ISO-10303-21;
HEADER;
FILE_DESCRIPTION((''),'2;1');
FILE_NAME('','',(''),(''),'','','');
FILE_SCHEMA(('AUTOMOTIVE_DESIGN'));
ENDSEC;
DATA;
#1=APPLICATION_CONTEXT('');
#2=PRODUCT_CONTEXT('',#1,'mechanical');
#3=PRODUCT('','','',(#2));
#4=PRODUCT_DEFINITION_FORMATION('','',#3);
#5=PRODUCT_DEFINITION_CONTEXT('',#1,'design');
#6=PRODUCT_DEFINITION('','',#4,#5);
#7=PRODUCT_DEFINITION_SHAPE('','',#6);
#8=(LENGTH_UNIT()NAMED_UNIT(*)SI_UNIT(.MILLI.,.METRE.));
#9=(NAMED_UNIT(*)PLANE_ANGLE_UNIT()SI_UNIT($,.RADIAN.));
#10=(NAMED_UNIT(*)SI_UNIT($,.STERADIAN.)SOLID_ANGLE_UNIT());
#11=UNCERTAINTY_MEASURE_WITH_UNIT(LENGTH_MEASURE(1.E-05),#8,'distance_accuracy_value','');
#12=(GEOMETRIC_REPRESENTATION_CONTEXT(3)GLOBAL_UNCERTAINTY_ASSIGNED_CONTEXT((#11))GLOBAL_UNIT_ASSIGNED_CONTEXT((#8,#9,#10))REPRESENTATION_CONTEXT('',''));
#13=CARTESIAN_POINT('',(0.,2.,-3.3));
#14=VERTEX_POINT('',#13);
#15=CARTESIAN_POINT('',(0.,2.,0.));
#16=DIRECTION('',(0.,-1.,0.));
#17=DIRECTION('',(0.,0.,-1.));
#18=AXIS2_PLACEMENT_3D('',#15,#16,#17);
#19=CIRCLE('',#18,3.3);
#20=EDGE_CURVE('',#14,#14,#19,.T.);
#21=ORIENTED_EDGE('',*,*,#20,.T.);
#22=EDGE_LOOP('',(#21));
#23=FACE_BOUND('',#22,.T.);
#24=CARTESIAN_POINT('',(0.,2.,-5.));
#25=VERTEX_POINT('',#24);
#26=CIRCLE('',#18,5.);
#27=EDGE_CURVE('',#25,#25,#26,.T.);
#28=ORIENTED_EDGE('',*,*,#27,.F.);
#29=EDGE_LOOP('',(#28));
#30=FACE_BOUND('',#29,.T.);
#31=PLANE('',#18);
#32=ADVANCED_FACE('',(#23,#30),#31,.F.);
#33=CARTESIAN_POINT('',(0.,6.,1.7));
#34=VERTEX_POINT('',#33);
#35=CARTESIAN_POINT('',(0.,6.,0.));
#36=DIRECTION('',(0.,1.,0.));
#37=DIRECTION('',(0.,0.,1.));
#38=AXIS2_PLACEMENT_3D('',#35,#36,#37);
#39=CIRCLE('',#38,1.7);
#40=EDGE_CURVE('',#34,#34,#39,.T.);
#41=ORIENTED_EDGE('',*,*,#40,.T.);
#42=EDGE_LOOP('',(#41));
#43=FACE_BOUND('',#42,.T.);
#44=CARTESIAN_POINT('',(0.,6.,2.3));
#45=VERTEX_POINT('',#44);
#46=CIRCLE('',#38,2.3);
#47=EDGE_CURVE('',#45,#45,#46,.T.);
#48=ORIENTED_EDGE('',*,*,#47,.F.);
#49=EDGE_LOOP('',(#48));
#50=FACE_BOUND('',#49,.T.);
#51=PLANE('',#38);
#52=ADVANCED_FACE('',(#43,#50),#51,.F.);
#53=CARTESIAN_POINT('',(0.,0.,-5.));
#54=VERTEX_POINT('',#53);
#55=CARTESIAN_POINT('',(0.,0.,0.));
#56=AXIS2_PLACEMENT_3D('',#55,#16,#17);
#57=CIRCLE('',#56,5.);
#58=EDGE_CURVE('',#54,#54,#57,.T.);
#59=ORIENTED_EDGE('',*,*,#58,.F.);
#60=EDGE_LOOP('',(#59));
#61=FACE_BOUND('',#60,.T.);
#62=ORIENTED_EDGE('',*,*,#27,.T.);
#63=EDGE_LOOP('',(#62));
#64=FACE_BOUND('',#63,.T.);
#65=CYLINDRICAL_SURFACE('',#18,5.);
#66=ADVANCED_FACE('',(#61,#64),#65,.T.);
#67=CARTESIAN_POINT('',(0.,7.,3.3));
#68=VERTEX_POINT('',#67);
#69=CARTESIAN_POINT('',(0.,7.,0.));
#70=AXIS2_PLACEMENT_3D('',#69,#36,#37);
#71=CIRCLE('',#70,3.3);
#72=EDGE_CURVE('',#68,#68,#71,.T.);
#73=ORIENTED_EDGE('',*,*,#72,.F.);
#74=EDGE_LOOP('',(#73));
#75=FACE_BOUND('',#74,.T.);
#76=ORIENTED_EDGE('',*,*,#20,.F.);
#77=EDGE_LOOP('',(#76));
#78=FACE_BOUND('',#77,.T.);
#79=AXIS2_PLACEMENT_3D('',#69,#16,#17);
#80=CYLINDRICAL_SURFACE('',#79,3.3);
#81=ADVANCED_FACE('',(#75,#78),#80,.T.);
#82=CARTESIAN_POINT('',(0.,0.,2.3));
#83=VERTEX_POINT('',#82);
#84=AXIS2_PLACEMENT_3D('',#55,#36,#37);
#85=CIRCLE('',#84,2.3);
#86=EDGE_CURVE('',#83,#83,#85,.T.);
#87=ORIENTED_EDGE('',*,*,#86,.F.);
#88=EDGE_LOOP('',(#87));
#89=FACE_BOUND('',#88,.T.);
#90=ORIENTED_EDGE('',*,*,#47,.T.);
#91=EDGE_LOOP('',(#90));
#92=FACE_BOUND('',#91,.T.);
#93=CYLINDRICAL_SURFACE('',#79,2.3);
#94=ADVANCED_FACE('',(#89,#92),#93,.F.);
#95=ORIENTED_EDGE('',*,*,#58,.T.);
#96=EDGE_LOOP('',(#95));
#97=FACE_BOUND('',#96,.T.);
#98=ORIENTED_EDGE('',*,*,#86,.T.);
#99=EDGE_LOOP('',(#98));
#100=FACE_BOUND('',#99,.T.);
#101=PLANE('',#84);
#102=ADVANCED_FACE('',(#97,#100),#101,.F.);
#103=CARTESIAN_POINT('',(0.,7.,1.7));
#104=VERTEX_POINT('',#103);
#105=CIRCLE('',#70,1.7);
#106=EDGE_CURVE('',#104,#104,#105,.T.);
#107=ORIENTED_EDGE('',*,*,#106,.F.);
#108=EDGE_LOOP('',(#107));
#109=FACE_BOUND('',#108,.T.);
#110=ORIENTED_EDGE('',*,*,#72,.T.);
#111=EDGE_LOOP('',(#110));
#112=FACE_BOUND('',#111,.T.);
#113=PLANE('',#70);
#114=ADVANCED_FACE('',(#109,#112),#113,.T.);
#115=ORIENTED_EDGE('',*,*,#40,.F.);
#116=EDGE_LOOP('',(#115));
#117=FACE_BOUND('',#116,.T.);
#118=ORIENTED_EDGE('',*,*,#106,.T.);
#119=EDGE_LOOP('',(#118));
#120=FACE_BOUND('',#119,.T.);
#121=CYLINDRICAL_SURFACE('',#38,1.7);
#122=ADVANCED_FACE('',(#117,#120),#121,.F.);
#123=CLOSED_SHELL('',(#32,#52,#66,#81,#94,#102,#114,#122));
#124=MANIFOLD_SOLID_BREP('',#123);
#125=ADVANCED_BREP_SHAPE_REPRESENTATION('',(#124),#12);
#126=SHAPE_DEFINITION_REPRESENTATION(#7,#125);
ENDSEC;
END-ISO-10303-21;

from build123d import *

# Parameters (mm, degrees)
SKETCH3_R           = 3.3
SKETCH3_R_2         = 2.3
BOSS_EXTRUDE3_DEPTH = 7
SKETCH4_R           = 5
SKETCH4_R_2         = 3.3
BOSS_EXTRUDE4_DEPTH = 2
SKETCH5_R           = 2.3
SKETCH5_R_2         = 1.7
BOSS_EXTRUDE5_DEPTH = 1


with BuildPart() as part:
    # Sketch3 → Boss-Extrude3 (new body)
    with BuildSketch(Plane(origin=(0, 0, 0), x_dir=(1, 0, 0), z_dir=(0, 1, 0))):
        Circle(SKETCH3_R)
        Circle(SKETCH3_R_2, mode=Mode.SUBTRACT)
    extrude(amount=BOSS_EXTRUDE3_DEPTH)

    # Sketch4 → Boss-Extrude4 (add)
    with BuildSketch(Plane.XZ):
        Circle(SKETCH4_R)
        Circle(SKETCH4_R_2, mode=Mode.SUBTRACT)
    extrude(amount=-BOSS_EXTRUDE4_DEPTH)

    # Sketch5 → Boss-Extrude5 (add)
    with BuildSketch(Plane(origin=(0, 7, 0), x_dir=(1, 0, 0), z_dir=(0, 1, 0))):
        Circle(SKETCH5_R)
        Circle(SKETCH5_R_2, mode=Mode.SUBTRACT)
    extrude(amount=-BOSS_EXTRUDE5_DEPTH)


solid = part.part
